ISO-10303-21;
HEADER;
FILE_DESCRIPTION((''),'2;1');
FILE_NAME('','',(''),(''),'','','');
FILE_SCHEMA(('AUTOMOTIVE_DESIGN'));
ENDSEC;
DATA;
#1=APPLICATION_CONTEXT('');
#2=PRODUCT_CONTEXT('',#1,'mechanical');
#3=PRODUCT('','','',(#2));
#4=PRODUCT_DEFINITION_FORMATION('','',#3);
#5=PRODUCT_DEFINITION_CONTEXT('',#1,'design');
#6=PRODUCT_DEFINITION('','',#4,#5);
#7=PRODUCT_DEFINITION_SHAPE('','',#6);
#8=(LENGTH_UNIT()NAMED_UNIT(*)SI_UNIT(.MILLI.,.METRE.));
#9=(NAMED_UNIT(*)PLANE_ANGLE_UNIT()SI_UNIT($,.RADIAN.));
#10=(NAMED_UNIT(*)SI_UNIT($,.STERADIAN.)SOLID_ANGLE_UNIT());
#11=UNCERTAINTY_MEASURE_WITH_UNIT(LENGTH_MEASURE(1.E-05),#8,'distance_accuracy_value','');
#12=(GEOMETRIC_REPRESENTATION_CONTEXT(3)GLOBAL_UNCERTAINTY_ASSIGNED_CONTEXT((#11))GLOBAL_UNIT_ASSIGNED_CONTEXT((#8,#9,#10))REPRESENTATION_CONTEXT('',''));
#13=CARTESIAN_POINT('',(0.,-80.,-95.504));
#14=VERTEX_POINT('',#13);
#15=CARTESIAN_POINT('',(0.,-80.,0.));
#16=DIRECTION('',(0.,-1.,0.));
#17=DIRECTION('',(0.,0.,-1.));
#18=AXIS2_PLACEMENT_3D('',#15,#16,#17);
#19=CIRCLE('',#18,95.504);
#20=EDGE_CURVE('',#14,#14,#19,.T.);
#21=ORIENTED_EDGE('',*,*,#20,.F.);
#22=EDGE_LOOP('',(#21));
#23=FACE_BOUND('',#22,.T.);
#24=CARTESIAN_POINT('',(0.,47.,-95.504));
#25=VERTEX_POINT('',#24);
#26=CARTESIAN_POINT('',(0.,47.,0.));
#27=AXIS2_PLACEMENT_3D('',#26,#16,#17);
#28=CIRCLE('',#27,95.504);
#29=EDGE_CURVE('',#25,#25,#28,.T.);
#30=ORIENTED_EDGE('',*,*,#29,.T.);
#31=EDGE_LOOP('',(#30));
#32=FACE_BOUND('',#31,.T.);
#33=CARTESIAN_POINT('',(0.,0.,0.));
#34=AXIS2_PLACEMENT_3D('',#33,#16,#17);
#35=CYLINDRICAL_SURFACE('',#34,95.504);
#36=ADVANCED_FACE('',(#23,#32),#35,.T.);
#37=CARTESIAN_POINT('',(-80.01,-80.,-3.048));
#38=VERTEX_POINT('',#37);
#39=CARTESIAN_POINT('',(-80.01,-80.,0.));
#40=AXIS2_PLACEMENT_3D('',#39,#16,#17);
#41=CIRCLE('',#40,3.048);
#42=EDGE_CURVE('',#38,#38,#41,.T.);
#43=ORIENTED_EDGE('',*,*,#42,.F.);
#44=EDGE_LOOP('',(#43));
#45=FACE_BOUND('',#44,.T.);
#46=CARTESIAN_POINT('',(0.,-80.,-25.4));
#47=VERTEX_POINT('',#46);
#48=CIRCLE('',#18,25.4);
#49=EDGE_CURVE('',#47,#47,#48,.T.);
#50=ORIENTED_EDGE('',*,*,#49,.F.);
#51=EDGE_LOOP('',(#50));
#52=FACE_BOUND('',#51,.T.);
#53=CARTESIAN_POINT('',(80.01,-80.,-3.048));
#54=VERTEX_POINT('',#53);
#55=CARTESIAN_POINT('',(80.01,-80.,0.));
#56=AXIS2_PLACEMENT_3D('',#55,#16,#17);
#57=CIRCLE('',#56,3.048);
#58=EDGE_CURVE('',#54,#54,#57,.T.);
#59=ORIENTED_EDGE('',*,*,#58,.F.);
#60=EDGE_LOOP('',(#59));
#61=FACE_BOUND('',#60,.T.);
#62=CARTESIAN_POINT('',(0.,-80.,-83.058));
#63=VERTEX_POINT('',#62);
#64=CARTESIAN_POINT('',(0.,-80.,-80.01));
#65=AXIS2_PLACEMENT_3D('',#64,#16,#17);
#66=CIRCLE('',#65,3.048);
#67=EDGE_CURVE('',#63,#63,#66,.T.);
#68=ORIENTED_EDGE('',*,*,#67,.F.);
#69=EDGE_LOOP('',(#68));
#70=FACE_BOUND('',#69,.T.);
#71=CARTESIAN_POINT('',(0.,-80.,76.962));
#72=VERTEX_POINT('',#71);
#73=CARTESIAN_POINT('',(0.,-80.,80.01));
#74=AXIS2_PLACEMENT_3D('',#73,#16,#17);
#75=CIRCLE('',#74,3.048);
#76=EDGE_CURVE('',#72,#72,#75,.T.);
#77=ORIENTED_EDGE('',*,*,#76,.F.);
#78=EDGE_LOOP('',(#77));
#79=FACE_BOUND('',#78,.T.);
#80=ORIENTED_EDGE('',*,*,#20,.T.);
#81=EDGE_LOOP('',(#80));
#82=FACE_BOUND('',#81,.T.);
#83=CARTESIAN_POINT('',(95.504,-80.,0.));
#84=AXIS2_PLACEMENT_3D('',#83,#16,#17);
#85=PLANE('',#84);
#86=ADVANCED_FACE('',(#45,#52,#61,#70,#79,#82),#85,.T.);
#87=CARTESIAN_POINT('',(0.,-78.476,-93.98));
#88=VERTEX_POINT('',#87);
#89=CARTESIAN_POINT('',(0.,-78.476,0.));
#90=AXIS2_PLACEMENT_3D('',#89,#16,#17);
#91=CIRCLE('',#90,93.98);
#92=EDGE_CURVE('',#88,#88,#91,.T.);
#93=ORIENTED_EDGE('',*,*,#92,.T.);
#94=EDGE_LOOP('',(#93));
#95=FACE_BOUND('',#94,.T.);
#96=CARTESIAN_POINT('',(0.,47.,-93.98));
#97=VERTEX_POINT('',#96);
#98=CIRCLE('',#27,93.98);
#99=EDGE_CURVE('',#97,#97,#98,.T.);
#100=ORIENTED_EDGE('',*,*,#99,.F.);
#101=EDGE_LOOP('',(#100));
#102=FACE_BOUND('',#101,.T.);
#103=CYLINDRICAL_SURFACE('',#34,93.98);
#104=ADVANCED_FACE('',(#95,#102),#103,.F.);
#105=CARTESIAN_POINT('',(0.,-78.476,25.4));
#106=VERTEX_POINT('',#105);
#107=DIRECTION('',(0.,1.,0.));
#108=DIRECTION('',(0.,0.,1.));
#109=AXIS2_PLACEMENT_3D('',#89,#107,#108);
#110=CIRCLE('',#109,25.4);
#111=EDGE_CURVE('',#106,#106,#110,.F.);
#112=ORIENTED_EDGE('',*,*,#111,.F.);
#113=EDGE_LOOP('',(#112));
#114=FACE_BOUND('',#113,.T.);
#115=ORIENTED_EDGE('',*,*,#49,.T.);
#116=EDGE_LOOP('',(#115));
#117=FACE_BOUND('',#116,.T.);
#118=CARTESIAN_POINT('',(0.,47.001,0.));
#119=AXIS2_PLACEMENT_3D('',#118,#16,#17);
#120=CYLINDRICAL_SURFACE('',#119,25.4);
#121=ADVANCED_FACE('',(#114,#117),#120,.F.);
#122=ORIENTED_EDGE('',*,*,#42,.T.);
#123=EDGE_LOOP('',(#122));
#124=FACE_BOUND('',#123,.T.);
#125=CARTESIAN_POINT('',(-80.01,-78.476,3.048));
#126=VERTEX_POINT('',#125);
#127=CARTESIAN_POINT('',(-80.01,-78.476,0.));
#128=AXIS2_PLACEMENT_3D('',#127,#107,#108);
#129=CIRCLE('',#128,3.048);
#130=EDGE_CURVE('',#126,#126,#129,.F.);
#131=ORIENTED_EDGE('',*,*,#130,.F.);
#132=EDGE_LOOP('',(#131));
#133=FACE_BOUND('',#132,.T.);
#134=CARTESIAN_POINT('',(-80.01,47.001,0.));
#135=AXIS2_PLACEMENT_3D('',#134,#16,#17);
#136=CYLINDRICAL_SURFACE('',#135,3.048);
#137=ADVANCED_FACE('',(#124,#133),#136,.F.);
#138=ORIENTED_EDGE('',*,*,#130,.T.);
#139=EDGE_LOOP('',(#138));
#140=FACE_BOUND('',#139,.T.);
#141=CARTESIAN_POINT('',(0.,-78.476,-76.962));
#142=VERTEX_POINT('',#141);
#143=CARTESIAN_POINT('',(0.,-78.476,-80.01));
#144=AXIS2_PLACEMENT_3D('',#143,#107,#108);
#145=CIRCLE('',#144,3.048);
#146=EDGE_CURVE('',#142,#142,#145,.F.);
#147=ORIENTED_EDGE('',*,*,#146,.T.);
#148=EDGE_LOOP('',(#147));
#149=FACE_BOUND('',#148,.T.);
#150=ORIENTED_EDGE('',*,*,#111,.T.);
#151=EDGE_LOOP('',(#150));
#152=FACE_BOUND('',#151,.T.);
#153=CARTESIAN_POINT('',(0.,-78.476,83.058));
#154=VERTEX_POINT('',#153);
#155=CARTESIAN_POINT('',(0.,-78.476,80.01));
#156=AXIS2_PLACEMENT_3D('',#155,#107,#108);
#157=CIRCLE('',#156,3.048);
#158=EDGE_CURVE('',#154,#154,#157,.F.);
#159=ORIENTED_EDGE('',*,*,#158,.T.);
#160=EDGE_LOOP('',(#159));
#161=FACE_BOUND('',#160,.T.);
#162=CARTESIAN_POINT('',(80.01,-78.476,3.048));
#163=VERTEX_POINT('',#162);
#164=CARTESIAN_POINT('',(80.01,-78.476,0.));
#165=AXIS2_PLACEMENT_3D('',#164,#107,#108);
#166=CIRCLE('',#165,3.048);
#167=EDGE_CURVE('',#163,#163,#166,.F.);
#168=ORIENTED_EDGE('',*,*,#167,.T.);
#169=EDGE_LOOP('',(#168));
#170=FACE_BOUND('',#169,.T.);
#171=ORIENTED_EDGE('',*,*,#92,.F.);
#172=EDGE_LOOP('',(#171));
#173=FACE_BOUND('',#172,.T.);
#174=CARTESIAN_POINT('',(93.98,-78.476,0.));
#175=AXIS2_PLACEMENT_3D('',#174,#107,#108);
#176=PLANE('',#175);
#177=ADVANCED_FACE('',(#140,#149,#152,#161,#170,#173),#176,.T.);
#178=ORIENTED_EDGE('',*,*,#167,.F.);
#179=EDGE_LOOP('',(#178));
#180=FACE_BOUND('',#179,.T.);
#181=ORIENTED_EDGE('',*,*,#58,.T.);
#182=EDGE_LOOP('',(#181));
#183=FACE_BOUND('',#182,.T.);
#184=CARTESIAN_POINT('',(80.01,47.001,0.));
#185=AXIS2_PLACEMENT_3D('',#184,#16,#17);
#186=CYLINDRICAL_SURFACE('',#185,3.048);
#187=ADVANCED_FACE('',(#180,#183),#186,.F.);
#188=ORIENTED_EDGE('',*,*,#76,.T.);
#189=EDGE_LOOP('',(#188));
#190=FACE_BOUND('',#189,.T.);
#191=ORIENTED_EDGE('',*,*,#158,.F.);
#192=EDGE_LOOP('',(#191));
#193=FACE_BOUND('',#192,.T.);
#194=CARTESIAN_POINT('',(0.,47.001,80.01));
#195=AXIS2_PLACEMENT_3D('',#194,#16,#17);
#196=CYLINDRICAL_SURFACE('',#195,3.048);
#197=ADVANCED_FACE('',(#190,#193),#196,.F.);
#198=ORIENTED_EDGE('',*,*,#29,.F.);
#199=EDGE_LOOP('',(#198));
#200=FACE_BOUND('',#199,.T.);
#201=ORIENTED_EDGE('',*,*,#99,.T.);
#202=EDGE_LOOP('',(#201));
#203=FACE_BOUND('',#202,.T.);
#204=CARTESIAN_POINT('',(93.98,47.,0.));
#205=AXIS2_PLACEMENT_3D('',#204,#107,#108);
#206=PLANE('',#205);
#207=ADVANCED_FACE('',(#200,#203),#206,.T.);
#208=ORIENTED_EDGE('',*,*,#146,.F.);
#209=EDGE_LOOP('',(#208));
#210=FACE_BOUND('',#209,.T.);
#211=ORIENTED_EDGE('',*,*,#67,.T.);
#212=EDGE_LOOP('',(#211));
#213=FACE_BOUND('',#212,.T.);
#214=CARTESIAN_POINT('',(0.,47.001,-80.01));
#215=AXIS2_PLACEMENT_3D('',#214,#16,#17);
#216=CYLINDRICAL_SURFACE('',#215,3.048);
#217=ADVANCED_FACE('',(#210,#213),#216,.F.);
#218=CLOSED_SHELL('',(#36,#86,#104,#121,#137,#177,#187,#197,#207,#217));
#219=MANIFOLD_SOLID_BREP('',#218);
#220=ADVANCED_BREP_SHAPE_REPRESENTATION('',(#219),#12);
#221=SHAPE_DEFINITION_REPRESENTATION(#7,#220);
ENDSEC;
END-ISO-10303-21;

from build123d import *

# Parameters (mm, degrees)
CUT_EXTRUDE2_REACH = 187.394
MOTOR_HOLE_R       = 25.4
MOTOR_HOLE_R_2     = 3.048


with BuildPart() as part:
    # Compartment → Revolve1 (revolve)
    with BuildSketch(Plane.XY, mode=Mode.PRIVATE) as revolve1_sk:
        Polygon((95.504, -80), (0, -80), (0, -78.476), (93.98, -78.476), (93.98, 47), (95.504, 47), align=None)
    revolve(revolve1_sk.sketch.rotate(Axis((0, 0, 0), (0, 1, 0)), 90), axis=Axis((0, 0, 0), (0, 1, 0)))

    # Motor Hole → Cut-Extrude2 (cut, up to next)
    with BuildSketch(Plane.XZ.offset(80), mode=Mode.PRIVATE) as cut_extrude2_sk1:
        with Locations(Location((0, 0, 0), (0, 0, 270))):
            Circle(MOTOR_HOLE_R)
    cut_extrude2_tool1 = extrude(cut_extrude2_sk1.sketch, amount=-CUT_EXTRUDE2_REACH, mode=Mode.PRIVATE) & part.part
    # Motor Hole → Cut-Extrude2 (cut, up to next)
    with BuildSketch(Plane.XZ.offset(80), mode=Mode.PRIVATE) as cut_extrude2_sk2:
        with Locations(Location((0, 80.01, 0), (0, 0, 270))):
            Circle(MOTOR_HOLE_R_2)
    cut_extrude2_tool2 = extrude(cut_extrude2_sk2.sketch, amount=-CUT_EXTRUDE2_REACH, mode=Mode.PRIVATE) & part.part
    # Motor Hole → Cut-Extrude2 (cut, up to next)
    with BuildSketch(Plane.XZ.offset(80), mode=Mode.PRIVATE) as cut_extrude2_sk3:
        with Locations(Location((80.01, 0, 0), (0, 0, 270))):
            Circle(MOTOR_HOLE_R_2)
    cut_extrude2_tool3 = extrude(cut_extrude2_sk3.sketch, amount=-CUT_EXTRUDE2_REACH, mode=Mode.PRIVATE) & part.part
    # Motor Hole → Cut-Extrude2 (cut, up to next)
    with BuildSketch(Plane.XZ.offset(80), mode=Mode.PRIVATE) as cut_extrude2_sk4:
        with Locations(Location((0, -80.01, 0), (0, 0, 270))):
            Circle(MOTOR_HOLE_R_2)
    cut_extrude2_tool4 = extrude(cut_extrude2_sk4.sketch, amount=-CUT_EXTRUDE2_REACH, mode=Mode.PRIVATE) & part.part
    # Motor Hole → Cut-Extrude2 (cut, up to next)
    with BuildSketch(Plane.XZ.offset(80), mode=Mode.PRIVATE) as cut_extrude2_sk5:
        with Locations(Location((-80.01, 0, 0), (0, 0, 270))):
            Circle(MOTOR_HOLE_R_2)
    cut_extrude2_tool5 = extrude(cut_extrude2_sk5.sketch, amount=-CUT_EXTRUDE2_REACH, mode=Mode.PRIVATE) & part.part
    add(cut_extrude2_tool1.solids().sort_by_distance((0, -80, 0))[0], mode=Mode.SUBTRACT)
    add(cut_extrude2_tool2.solids().sort_by_distance((0, -80, 80.01))[0], mode=Mode.SUBTRACT)
    add(cut_extrude2_tool3.solids().sort_by_distance((80.01, -80, 0))[0], mode=Mode.SUBTRACT)
    add(cut_extrude2_tool4.solids().sort_by_distance((0, -80, -80.01))[0], mode=Mode.SUBTRACT)
    add(cut_extrude2_tool5.solids().sort_by_distance((-80.01, -80, 0))[0], mode=Mode.SUBTRACT)


solid = part.part
